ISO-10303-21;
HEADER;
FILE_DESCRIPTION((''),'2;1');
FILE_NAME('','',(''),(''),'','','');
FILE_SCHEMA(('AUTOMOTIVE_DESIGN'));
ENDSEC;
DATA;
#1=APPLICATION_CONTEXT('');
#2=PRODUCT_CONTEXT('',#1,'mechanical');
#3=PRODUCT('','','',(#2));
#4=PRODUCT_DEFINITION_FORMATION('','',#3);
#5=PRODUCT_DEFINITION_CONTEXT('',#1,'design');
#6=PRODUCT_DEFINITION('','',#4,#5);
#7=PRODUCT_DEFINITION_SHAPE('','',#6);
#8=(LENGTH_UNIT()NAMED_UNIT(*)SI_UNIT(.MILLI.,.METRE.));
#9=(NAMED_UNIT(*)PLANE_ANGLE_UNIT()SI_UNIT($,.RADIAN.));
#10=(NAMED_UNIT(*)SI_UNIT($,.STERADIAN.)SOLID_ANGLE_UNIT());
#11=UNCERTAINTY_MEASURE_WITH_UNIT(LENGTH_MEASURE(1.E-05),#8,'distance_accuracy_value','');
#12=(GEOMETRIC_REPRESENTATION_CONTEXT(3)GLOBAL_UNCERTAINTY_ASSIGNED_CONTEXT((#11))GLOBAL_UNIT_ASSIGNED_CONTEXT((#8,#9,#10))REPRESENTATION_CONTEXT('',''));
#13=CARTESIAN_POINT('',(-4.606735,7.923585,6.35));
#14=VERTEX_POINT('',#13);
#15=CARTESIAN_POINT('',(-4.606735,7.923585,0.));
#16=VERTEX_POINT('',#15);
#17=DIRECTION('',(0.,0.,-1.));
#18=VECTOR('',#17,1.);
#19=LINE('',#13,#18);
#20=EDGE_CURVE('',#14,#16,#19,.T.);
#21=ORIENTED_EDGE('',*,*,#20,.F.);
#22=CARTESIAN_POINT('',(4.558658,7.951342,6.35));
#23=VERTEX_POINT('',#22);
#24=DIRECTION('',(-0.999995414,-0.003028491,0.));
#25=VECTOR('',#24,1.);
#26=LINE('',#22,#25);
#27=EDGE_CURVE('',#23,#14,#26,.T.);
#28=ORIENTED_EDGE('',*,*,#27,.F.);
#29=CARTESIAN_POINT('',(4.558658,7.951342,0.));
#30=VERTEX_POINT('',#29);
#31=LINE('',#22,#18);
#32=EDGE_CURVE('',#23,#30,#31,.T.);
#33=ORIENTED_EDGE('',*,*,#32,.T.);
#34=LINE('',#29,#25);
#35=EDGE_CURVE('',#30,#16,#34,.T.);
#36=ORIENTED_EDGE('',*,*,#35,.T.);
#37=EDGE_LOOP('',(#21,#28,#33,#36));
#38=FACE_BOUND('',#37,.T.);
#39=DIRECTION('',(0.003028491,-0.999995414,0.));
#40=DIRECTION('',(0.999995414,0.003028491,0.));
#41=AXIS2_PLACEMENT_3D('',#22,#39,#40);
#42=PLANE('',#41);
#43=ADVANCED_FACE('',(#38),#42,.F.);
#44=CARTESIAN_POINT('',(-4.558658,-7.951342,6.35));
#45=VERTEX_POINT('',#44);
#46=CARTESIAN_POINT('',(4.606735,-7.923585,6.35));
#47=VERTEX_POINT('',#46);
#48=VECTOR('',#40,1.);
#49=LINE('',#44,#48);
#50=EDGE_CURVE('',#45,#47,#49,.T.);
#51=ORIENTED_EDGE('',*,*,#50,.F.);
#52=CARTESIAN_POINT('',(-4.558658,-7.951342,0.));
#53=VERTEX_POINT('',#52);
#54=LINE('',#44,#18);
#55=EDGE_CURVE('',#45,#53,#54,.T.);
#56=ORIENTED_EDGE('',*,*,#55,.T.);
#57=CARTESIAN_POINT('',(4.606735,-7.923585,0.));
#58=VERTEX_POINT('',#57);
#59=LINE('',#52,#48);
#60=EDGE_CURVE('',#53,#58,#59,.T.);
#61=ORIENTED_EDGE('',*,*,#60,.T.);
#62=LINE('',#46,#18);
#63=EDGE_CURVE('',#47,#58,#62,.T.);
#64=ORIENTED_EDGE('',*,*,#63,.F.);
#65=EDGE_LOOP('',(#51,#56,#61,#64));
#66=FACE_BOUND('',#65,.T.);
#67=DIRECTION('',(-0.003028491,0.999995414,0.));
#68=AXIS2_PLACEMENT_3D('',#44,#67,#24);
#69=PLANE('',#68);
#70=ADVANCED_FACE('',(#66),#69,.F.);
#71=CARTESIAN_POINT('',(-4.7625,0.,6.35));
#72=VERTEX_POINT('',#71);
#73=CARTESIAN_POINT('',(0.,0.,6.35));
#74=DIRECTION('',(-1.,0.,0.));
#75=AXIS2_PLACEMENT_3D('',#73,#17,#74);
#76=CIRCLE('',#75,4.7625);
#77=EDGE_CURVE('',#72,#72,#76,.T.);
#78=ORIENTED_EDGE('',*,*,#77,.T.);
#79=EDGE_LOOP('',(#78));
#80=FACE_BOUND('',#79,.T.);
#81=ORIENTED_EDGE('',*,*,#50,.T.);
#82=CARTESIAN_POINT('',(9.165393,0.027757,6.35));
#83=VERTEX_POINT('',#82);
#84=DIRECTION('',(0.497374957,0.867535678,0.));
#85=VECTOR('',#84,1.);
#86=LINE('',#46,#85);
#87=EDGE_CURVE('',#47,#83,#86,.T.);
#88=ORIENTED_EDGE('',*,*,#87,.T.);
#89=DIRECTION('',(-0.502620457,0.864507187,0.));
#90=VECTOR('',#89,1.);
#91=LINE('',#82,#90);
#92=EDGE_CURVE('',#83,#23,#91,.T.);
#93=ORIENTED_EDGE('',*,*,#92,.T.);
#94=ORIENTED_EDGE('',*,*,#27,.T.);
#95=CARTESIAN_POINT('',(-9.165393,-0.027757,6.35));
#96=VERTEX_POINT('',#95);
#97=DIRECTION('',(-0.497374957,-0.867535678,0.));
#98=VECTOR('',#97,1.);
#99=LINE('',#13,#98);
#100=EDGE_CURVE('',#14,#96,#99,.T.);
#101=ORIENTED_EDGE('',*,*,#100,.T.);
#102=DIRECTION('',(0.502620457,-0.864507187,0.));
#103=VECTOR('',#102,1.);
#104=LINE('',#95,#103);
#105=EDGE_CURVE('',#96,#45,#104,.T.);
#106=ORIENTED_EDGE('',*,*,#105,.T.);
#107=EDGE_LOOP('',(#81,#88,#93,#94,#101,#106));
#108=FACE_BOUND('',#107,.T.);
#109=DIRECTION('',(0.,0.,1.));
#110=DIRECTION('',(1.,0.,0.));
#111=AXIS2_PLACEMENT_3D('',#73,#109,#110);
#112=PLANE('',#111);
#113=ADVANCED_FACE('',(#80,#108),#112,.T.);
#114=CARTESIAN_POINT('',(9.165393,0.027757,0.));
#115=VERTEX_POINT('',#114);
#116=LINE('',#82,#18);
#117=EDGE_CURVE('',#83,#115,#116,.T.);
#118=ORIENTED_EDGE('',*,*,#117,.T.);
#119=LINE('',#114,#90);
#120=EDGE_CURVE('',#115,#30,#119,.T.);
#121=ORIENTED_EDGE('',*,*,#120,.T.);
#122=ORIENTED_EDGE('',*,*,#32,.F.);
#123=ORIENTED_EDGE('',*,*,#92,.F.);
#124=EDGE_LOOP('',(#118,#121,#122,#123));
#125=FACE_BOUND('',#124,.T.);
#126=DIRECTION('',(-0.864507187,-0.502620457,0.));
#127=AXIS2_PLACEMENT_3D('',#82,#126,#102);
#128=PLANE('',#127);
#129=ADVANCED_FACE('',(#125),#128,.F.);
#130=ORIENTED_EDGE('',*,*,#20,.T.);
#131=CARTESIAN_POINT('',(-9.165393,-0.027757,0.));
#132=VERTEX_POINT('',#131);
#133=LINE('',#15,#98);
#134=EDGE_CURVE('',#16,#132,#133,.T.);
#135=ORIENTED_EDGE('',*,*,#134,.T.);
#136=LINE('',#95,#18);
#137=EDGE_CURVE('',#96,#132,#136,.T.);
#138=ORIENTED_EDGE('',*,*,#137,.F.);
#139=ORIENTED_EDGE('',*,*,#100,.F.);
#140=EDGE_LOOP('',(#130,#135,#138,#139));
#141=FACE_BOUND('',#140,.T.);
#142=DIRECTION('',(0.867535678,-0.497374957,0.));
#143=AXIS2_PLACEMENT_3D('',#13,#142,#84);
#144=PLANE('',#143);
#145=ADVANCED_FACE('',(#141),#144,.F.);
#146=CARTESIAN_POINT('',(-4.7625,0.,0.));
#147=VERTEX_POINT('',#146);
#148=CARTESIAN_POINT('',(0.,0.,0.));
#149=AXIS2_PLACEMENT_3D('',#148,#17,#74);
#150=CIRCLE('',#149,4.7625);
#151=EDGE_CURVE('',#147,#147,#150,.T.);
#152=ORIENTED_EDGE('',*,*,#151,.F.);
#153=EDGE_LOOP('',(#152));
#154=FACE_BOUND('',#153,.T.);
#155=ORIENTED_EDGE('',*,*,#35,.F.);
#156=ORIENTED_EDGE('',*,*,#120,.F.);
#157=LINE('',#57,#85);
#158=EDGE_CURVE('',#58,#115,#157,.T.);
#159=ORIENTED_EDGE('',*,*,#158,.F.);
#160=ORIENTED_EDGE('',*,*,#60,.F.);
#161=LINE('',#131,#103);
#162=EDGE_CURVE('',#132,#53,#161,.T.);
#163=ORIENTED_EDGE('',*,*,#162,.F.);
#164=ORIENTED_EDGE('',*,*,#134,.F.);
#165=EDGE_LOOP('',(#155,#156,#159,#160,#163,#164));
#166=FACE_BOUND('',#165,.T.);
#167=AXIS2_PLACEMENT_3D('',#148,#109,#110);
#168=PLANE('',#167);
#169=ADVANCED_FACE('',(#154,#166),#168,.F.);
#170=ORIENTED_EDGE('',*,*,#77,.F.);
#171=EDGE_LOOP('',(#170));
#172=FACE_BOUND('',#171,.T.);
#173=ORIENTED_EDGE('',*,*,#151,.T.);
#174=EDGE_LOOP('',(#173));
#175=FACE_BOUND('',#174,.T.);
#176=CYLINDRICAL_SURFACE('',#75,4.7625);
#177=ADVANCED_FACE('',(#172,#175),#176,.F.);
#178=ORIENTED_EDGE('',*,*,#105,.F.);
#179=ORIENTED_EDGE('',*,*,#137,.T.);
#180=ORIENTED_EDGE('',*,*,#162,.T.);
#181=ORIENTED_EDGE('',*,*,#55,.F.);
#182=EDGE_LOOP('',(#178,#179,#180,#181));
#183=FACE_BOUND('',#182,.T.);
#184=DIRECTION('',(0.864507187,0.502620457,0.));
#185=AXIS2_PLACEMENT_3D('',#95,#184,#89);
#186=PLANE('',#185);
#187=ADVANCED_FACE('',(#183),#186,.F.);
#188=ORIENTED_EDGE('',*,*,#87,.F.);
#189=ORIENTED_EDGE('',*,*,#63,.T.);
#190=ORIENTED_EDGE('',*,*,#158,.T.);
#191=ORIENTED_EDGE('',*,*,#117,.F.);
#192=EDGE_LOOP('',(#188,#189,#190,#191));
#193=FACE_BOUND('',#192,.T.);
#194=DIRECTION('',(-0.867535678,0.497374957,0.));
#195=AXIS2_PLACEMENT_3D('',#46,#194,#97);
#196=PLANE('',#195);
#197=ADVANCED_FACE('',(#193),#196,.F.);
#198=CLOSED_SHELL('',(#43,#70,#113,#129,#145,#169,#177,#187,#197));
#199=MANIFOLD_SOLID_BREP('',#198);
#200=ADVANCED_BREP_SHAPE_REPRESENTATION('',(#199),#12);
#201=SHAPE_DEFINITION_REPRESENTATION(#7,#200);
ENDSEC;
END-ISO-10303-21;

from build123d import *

# Parameters (mm, degrees)
BOSS_EXTRUDE1_DEPTH = 6.35
SKETCH2_R           = 4.7625
CUT_EXTRUDE1_DEPTH  = 14.694918129


with BuildPart() as part:
    # Sketch1 → Boss-Extrude1 (new body)
    with BuildSketch(Plane.XY):
        Polygon((4.606735395, -7.923584879), (9.165393492, 0.027757441), (4.558658097, 7.95134232), (-4.606735395, 7.923584879), (-9.165393492, -0.027757441), (-4.558658097, -7.95134232), align=None)
    extrude(amount=BOSS_EXTRUDE1_DEPTH)

    # Sketch2 → Cut-Extrude1 (cut, through all)
    with BuildSketch(Plane(origin=(0, 0, 0), x_dir=(-1, 0, 0), z_dir=(0, 0, -1))):
        Circle(SKETCH2_R)
    extrude(amount=-CUT_EXTRUDE1_DEPTH, mode=Mode.SUBTRACT)


solid = part.part
